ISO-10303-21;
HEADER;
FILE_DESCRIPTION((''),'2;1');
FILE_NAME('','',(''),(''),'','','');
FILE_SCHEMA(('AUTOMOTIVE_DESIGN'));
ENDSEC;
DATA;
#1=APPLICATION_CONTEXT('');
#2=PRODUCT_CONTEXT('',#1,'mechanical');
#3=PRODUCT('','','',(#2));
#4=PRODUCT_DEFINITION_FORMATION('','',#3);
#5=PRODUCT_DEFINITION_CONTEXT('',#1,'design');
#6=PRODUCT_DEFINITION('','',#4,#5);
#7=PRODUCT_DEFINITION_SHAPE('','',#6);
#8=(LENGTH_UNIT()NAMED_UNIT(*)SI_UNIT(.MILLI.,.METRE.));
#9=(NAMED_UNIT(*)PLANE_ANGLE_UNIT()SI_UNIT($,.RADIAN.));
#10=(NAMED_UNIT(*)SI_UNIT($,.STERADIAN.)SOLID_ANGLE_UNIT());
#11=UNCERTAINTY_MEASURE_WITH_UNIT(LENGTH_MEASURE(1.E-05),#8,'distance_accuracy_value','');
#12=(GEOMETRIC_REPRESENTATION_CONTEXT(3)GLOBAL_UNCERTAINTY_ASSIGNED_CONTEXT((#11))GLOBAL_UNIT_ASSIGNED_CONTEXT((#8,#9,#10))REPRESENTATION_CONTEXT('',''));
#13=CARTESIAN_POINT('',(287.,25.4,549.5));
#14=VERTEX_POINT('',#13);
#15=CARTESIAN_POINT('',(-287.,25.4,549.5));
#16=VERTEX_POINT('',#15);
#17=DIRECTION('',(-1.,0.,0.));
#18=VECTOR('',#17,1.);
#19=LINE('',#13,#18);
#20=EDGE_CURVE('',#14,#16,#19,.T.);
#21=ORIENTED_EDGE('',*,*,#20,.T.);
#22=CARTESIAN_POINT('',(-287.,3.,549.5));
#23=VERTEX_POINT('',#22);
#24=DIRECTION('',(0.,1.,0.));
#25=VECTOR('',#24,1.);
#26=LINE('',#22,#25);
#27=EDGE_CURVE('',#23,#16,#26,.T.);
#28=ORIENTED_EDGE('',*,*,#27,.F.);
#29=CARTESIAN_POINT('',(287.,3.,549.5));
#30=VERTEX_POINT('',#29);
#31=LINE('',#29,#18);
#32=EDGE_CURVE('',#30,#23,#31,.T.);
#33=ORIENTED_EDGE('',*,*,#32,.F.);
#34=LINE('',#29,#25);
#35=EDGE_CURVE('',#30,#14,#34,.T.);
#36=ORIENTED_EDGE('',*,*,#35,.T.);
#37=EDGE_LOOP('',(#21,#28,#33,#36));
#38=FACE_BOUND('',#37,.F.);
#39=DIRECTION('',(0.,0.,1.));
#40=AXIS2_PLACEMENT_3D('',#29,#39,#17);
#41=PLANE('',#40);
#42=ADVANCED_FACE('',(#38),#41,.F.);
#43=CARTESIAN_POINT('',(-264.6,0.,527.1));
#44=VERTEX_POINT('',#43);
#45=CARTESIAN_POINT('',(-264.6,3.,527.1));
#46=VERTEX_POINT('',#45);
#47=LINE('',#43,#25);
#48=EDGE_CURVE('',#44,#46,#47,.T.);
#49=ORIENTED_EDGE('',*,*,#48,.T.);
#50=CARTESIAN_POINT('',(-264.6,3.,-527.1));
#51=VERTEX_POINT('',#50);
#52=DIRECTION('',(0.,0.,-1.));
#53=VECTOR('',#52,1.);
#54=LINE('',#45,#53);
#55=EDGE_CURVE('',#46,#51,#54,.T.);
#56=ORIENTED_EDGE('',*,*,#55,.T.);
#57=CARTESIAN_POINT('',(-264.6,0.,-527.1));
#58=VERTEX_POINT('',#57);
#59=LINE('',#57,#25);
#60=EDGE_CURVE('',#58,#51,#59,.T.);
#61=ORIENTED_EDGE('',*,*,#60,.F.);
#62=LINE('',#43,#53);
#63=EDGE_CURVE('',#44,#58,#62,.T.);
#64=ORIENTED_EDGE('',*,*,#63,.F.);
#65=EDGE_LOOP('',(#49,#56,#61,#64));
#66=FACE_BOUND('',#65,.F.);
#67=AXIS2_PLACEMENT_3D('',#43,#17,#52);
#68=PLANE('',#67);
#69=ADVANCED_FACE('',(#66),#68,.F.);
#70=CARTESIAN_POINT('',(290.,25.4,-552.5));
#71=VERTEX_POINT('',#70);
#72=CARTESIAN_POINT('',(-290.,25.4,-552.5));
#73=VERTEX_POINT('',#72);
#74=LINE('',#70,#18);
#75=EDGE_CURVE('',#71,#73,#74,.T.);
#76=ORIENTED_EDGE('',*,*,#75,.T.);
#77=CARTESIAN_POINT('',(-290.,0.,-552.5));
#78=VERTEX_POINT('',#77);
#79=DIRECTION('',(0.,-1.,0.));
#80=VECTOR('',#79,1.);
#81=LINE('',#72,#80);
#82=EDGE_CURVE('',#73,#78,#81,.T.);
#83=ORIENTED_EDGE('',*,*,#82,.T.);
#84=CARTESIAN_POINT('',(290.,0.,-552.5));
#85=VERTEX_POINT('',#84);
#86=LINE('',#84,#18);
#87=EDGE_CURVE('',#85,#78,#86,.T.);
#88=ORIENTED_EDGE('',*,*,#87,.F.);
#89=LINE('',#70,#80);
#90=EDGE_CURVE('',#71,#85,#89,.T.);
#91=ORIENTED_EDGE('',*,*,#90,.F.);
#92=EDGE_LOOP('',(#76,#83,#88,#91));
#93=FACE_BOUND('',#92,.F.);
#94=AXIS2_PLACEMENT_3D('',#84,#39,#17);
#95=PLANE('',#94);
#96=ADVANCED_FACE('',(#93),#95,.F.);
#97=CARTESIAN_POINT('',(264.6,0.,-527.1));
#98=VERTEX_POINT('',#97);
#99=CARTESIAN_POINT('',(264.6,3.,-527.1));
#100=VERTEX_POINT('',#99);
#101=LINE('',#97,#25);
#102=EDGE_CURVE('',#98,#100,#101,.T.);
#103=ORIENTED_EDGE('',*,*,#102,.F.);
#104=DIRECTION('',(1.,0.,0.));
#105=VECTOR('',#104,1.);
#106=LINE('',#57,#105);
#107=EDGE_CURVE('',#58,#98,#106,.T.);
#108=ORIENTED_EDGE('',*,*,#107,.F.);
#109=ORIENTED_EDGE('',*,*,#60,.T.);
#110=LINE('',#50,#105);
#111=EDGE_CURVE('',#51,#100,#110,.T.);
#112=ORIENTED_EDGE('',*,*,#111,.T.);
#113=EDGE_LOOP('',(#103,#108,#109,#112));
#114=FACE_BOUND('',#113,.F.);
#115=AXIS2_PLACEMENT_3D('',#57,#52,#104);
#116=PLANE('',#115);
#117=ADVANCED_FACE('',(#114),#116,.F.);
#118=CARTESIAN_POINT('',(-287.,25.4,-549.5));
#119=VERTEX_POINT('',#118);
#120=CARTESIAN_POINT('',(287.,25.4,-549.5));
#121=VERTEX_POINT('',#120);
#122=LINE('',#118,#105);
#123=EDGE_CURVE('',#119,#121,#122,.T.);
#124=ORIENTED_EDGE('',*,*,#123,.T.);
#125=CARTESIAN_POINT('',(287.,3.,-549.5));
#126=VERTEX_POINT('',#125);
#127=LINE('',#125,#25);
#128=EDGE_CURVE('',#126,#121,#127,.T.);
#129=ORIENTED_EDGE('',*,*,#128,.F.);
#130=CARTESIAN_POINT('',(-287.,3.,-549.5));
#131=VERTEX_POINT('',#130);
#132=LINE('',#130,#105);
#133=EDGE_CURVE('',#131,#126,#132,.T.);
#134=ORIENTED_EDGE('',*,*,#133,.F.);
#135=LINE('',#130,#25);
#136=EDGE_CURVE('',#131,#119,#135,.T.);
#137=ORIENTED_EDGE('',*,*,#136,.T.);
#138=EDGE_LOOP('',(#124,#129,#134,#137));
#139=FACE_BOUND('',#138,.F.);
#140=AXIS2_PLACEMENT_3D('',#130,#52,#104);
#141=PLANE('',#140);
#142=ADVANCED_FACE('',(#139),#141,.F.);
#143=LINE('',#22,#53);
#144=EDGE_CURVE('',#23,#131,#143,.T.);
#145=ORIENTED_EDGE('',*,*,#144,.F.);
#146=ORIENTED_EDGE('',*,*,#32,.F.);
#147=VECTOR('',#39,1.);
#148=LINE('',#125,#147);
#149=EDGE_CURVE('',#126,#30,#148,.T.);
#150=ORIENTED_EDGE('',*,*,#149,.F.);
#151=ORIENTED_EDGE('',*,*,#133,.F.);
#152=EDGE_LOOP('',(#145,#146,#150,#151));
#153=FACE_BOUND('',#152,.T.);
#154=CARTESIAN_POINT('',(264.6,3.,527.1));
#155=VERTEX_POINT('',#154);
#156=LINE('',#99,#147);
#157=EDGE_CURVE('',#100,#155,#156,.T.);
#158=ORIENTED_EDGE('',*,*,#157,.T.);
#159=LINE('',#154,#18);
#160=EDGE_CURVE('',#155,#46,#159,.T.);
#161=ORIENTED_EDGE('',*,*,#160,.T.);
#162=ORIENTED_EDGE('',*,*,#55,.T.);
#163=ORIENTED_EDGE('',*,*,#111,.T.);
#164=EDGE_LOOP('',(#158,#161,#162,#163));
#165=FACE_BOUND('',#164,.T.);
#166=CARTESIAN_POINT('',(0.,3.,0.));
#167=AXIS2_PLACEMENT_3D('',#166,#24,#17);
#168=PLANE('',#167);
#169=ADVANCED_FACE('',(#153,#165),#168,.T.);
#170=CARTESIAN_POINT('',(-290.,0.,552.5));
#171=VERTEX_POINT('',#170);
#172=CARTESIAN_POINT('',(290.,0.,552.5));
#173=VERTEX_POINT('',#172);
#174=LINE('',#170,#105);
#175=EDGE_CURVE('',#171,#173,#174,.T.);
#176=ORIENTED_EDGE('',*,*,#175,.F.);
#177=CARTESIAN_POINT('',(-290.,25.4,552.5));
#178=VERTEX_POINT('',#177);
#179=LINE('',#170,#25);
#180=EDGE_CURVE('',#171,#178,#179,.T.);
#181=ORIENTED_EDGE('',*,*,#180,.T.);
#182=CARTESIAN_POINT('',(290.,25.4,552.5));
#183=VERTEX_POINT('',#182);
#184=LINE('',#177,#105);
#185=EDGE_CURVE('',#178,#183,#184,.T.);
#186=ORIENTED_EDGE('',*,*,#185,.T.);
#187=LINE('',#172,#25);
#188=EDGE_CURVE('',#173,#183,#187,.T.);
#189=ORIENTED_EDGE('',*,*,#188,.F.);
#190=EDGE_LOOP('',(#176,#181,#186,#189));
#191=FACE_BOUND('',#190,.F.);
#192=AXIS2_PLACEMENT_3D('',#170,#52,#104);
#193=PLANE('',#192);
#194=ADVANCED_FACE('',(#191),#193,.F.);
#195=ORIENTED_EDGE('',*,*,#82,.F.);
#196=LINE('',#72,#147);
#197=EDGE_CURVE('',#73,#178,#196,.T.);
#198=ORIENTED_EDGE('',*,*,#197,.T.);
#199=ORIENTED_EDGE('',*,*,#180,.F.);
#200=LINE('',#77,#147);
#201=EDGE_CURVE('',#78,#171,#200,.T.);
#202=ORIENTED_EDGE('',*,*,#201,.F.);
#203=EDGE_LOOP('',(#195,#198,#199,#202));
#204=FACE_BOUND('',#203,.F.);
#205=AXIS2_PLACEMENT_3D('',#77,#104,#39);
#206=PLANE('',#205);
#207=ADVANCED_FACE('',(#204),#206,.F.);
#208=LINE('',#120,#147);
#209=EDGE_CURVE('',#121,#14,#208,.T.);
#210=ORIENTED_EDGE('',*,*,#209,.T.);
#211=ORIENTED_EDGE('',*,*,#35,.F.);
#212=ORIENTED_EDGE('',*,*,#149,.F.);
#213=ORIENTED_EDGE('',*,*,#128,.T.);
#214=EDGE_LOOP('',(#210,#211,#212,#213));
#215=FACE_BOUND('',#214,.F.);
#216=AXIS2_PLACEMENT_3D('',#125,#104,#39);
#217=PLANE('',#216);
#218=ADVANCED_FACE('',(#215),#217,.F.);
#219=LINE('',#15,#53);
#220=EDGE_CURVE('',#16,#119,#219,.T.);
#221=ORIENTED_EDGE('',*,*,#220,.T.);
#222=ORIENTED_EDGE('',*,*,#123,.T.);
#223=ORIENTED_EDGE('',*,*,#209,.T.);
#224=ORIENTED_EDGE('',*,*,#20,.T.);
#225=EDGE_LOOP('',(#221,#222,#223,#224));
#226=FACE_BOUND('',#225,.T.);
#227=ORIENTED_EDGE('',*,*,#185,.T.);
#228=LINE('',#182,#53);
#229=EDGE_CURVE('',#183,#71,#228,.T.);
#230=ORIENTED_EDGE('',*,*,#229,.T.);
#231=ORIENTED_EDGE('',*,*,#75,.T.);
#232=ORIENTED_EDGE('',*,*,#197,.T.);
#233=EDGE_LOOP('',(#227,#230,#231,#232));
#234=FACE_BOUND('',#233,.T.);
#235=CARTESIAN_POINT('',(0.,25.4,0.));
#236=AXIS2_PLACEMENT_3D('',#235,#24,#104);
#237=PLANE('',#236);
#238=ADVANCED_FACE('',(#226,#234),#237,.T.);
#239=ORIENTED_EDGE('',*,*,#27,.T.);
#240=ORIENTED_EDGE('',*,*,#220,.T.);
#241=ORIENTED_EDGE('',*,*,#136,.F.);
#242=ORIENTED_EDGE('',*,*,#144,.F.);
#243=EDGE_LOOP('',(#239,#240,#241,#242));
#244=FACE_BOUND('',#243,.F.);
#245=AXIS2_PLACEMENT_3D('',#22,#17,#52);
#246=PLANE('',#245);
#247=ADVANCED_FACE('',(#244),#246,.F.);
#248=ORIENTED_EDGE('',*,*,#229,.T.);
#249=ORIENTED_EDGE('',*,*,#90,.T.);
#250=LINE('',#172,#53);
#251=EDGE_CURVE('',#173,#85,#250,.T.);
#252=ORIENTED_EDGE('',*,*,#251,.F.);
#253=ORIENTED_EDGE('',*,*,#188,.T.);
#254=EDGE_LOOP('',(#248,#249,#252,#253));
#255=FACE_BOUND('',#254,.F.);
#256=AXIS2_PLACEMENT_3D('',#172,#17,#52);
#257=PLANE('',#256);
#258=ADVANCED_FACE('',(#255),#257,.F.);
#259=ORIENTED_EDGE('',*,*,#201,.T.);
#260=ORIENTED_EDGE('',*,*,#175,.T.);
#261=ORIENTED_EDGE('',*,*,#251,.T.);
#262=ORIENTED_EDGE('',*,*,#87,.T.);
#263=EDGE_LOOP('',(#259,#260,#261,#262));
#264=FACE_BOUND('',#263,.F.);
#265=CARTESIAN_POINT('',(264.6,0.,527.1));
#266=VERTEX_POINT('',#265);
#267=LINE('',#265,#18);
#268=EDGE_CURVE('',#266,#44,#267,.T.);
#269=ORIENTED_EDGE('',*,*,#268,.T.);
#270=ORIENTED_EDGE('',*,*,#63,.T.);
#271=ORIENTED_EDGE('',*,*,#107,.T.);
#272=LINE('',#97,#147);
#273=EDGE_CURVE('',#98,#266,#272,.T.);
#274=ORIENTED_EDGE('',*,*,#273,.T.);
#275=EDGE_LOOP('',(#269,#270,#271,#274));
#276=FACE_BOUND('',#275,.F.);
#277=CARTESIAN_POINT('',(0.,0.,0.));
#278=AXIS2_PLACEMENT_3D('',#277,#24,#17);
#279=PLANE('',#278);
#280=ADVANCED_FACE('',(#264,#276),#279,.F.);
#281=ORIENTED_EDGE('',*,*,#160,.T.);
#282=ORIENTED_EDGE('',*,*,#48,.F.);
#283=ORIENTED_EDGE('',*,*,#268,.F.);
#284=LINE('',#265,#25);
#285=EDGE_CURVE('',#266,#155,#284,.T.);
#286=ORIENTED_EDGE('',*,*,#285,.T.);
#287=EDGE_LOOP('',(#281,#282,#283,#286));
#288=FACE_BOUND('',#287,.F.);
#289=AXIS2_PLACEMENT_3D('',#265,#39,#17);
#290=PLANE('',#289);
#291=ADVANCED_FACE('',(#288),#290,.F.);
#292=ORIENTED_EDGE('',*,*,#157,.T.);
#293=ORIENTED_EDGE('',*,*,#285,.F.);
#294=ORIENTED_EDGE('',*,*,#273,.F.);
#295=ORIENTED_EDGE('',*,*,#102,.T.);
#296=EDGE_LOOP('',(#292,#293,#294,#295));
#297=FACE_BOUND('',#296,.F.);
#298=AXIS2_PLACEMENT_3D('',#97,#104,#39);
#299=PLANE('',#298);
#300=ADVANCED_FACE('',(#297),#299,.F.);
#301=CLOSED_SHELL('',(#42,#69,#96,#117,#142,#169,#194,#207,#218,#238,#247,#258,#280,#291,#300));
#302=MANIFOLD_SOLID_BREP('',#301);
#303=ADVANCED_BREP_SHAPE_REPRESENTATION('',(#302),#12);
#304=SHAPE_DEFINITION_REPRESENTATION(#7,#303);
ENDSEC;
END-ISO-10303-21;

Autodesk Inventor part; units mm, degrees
ref_plane "YZ Plane" through (0, 0, 0) normal (1, 0, 0) x (0, 1, 0)
ref_plane "XZ Plane" through (0, 0, 0) normal (0, 1, 0) x (-1, 0, 0)
ref_plane "XY Plane" through (0, 0, 0) normal (0, 0, 1) x (1, 0, 0)
sketch "Sketch1" plane through (0, 0, 0) normal (0, 1, 0) x (-1, 0, 0)
  line L0 (-406, 0) -> (406, 0) construction
  line L1 (0, -773.5) -> (0, 773.5) construction
  line L2 (290, 552.5) -> (-290, 552.5)
  line L3 (-290, 552.5) -> (-290, -552.5)
  line L4 (-290, -552.5) -> (290, -552.5)
  line L5 (290, -552.5) -> (290, 552.5)
  line L6 (264.6, -527.1) -> (-264.6, -527.1)
  line L7 (-264.6, -527.1) -> (-264.6, 527.1)
  line L8 (-264.6, 527.1) -> (264.6, 527.1)
  line L9 (264.6, 527.1) -> (264.6, -527.1)
  point P0 (0, 0)
  dimension "d0" = 580
  dimension "d1" = 1105
  dimension "d8" = 25.4
  dimension "d9" = 25.4
extrude "Base thickness" add sketch "Sketch1" along normal blind 3
sketch "Sketch3" plane through (0, 3, 0) normal (0, 1, 0) x (1, 0, 0)
  line L0 (-290, 552.5) -> (-290, -552.5) projected
  line L1 (-290, -552.5) -> (290, -552.5) projected
  line L2 (290, -552.5) -> (290, 552.5) projected
  line L3 (290, 552.5) -> (-290, 552.5) projected
  line L4 (-290, 552.5) -> (-290, -552.5) projected
  line L5 (-287, 549.5) -> (287, 549.5)
  line L6 (287, 549.5) -> (287, -549.5)
  line L7 (287, -549.5) -> (-287, -549.5)
  line L8 (-287, -549.5) -> (-287, 549.5)
  line L9 (0, 773.5) -> (0, -773.5) construction
  line L10 (406, 0) -> (-406, 0) construction
  point P0 (0, 0)
  dimension "d14" = 3
  dimension "d15" = 3
extrude "Wall height" add sketch "Sketch3" along normal blind 22.4
equation "\"d8\" = angleSectionSize"
equation "\"d9\" = angleSectionSize"
equation "\"d12\" = wallThickness"
equation "\"d14\" = wallThickness"
equation "\"d15\" = wallThickness"
equation "\"d16\" = angleSectionSize - wallThickness"
equation "\"wallThickness\" = 3"
equation "\"angleSectionSize\" = 25.4"
properties part number "frame" material "Steel, Mild"
